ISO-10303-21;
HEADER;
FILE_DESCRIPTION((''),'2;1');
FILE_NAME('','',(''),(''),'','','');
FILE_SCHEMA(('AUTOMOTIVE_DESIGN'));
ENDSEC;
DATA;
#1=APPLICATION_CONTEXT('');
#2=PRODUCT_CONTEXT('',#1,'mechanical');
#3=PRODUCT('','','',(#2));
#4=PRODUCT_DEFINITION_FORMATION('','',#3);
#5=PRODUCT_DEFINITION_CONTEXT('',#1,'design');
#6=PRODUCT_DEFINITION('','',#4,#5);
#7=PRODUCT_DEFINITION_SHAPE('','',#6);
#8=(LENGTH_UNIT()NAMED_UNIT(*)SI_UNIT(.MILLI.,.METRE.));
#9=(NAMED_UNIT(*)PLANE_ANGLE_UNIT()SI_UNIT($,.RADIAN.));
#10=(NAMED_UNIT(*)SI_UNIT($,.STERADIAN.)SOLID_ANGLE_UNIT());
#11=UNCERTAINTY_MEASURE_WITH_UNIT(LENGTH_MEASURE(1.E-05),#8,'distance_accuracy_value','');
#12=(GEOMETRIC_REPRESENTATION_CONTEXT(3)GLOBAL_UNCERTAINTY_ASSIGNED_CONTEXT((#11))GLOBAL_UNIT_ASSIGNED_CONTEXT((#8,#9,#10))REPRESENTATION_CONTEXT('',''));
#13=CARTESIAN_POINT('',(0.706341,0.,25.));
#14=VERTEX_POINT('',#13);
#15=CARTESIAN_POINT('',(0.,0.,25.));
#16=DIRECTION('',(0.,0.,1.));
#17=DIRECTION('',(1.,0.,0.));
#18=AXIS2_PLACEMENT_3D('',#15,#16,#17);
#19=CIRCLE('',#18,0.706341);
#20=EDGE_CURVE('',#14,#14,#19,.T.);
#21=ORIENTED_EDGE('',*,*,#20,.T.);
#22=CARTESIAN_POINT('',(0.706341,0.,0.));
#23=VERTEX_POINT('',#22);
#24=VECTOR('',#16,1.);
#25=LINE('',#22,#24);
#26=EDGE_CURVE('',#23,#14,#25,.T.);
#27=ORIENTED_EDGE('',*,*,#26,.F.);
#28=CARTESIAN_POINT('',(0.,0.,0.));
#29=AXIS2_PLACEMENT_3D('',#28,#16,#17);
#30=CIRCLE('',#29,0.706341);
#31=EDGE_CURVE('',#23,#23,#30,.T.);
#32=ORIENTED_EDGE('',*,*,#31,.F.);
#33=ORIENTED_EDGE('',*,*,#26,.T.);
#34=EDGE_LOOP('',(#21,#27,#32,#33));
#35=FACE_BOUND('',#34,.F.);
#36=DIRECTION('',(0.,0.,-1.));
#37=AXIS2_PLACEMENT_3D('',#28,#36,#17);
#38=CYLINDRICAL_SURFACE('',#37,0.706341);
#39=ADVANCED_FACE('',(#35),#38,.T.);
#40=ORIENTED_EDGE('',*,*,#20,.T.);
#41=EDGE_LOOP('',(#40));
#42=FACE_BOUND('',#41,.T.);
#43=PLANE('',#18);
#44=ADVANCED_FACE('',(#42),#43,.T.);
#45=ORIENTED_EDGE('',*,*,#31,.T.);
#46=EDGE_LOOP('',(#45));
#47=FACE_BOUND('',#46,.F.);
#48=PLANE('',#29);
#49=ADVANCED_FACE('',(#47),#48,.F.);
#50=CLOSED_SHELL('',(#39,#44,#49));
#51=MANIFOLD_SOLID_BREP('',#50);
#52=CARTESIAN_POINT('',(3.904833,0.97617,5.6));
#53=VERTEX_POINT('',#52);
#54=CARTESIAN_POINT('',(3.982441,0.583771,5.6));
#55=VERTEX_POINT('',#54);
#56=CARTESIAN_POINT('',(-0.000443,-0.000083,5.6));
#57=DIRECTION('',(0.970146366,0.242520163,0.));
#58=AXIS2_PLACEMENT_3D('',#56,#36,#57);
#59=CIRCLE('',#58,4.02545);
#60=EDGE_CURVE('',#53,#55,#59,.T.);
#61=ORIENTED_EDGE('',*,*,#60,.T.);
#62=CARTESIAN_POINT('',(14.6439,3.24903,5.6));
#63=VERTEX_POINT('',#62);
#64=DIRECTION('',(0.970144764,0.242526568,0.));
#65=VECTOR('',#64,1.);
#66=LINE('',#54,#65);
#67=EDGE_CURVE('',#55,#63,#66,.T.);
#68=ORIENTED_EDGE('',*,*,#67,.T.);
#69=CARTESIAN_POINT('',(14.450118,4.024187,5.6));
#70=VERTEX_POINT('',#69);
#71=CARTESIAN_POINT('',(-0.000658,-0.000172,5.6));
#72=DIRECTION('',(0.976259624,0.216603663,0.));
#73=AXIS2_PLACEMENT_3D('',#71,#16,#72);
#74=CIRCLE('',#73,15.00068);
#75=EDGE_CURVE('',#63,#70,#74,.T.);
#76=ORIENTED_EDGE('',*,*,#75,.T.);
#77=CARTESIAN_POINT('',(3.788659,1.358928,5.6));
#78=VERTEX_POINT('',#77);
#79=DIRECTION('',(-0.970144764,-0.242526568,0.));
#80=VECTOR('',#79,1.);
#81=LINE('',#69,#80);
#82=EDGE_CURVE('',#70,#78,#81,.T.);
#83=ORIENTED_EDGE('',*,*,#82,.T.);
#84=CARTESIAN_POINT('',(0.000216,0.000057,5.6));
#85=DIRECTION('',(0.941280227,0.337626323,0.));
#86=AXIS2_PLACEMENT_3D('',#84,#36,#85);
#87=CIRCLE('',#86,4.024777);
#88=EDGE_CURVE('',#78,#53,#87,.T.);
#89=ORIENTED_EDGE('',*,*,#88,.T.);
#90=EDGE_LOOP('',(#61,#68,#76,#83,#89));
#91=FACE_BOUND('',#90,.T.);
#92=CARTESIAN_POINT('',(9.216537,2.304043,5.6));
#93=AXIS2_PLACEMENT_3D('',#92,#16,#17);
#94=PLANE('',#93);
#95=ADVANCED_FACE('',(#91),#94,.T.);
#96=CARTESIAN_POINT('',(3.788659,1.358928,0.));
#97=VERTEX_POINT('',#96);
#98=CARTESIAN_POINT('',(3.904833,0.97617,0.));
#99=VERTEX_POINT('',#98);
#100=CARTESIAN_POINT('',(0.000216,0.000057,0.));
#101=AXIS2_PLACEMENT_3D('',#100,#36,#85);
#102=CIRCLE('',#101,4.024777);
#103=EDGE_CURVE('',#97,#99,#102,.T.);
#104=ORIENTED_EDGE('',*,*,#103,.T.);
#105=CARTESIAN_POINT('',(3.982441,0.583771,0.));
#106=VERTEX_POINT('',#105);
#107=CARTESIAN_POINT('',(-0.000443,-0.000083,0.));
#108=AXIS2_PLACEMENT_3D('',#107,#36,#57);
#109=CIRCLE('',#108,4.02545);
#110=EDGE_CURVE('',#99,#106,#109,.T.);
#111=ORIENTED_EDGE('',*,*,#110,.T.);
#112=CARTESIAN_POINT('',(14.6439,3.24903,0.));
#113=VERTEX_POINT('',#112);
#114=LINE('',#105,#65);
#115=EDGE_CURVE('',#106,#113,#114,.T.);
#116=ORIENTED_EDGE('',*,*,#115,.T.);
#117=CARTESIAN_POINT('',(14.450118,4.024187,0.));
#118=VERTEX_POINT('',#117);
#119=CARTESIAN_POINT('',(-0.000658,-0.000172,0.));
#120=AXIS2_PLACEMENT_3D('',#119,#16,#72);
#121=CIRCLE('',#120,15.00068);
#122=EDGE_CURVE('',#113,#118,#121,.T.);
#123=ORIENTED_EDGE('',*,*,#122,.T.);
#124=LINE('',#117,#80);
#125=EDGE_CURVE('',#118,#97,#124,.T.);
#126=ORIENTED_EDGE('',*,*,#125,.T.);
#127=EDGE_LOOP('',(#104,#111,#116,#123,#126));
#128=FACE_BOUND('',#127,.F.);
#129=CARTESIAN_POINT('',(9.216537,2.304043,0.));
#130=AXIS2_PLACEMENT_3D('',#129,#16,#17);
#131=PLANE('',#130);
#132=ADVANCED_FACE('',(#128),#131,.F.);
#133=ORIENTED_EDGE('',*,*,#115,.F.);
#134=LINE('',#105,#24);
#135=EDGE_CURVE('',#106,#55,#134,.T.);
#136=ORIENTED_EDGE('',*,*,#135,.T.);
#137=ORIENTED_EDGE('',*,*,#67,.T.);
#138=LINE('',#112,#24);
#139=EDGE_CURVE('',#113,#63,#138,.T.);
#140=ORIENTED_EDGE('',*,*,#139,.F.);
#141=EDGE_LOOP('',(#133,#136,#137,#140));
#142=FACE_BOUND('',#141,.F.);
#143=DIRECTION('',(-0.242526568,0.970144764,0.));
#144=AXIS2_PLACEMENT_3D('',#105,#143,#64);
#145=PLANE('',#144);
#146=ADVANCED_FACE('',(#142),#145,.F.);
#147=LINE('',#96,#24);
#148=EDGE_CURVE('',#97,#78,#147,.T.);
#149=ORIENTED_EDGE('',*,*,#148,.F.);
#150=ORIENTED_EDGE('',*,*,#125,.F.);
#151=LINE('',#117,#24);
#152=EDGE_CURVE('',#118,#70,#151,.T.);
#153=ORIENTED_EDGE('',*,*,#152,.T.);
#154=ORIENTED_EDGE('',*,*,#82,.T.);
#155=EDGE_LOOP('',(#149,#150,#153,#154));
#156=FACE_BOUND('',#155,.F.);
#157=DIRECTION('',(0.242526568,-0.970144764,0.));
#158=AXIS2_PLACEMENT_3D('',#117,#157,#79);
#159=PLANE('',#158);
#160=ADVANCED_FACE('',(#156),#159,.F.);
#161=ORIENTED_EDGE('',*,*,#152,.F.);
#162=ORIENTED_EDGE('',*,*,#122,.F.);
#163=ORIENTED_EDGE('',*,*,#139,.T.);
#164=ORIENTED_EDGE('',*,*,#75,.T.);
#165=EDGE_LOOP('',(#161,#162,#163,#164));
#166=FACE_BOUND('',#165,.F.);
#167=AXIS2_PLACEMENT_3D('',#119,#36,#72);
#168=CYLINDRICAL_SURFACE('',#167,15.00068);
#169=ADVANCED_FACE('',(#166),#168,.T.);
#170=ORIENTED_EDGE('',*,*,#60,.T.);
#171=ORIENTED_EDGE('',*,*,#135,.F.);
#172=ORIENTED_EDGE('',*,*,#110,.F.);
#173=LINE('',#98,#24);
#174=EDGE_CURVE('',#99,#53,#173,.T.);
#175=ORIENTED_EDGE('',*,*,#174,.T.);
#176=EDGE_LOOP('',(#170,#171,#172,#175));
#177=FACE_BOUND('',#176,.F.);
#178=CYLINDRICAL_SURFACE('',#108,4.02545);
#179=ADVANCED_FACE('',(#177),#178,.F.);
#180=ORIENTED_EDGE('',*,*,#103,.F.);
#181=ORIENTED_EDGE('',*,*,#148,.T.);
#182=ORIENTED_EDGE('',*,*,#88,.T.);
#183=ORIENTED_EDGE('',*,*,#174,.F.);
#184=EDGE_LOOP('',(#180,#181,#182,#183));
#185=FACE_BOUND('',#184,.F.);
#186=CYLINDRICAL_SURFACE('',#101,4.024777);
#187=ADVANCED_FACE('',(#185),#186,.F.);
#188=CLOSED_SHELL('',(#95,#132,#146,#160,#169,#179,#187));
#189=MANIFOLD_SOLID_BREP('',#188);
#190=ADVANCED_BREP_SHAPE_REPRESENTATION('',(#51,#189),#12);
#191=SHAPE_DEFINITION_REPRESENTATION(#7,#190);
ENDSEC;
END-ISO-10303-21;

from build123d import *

# Parameters (mm, degrees)
F1_DEPTH = 5.6
F0_R     = 0.706341
F2_DEPTH = 25


with BuildPart() as f1:
    # F0 (on Top) → F1 (new body)
    with BuildSketch(Plane.XY):
        with BuildLine():
            ThreePointArc((3.904833, 0.97617), (3.948514, 0.780935), (3.982441, 0.583771))
            Line((3.982441, 0.583771), (14.6439, 3.24903))
            ThreePointArc((14.6439, 3.24903), (14.552171, 3.637899), (14.450118, 4.024187))
            Line((14.450118, 4.024187), (3.788659, 1.358928))
            ThreePointArc((3.788659, 1.358928), (3.851504, 1.168993), (3.904833, 0.97617))
        make_face()
    extrude(amount=F1_DEPTH)


with BuildPart() as f2:
    # F0 (on Top) → F2 (new body)
    with BuildSketch(Plane.XY):
        Circle(F0_R)
    extrude(amount=F2_DEPTH)


solid = Compound([f1.part, f2.part])
